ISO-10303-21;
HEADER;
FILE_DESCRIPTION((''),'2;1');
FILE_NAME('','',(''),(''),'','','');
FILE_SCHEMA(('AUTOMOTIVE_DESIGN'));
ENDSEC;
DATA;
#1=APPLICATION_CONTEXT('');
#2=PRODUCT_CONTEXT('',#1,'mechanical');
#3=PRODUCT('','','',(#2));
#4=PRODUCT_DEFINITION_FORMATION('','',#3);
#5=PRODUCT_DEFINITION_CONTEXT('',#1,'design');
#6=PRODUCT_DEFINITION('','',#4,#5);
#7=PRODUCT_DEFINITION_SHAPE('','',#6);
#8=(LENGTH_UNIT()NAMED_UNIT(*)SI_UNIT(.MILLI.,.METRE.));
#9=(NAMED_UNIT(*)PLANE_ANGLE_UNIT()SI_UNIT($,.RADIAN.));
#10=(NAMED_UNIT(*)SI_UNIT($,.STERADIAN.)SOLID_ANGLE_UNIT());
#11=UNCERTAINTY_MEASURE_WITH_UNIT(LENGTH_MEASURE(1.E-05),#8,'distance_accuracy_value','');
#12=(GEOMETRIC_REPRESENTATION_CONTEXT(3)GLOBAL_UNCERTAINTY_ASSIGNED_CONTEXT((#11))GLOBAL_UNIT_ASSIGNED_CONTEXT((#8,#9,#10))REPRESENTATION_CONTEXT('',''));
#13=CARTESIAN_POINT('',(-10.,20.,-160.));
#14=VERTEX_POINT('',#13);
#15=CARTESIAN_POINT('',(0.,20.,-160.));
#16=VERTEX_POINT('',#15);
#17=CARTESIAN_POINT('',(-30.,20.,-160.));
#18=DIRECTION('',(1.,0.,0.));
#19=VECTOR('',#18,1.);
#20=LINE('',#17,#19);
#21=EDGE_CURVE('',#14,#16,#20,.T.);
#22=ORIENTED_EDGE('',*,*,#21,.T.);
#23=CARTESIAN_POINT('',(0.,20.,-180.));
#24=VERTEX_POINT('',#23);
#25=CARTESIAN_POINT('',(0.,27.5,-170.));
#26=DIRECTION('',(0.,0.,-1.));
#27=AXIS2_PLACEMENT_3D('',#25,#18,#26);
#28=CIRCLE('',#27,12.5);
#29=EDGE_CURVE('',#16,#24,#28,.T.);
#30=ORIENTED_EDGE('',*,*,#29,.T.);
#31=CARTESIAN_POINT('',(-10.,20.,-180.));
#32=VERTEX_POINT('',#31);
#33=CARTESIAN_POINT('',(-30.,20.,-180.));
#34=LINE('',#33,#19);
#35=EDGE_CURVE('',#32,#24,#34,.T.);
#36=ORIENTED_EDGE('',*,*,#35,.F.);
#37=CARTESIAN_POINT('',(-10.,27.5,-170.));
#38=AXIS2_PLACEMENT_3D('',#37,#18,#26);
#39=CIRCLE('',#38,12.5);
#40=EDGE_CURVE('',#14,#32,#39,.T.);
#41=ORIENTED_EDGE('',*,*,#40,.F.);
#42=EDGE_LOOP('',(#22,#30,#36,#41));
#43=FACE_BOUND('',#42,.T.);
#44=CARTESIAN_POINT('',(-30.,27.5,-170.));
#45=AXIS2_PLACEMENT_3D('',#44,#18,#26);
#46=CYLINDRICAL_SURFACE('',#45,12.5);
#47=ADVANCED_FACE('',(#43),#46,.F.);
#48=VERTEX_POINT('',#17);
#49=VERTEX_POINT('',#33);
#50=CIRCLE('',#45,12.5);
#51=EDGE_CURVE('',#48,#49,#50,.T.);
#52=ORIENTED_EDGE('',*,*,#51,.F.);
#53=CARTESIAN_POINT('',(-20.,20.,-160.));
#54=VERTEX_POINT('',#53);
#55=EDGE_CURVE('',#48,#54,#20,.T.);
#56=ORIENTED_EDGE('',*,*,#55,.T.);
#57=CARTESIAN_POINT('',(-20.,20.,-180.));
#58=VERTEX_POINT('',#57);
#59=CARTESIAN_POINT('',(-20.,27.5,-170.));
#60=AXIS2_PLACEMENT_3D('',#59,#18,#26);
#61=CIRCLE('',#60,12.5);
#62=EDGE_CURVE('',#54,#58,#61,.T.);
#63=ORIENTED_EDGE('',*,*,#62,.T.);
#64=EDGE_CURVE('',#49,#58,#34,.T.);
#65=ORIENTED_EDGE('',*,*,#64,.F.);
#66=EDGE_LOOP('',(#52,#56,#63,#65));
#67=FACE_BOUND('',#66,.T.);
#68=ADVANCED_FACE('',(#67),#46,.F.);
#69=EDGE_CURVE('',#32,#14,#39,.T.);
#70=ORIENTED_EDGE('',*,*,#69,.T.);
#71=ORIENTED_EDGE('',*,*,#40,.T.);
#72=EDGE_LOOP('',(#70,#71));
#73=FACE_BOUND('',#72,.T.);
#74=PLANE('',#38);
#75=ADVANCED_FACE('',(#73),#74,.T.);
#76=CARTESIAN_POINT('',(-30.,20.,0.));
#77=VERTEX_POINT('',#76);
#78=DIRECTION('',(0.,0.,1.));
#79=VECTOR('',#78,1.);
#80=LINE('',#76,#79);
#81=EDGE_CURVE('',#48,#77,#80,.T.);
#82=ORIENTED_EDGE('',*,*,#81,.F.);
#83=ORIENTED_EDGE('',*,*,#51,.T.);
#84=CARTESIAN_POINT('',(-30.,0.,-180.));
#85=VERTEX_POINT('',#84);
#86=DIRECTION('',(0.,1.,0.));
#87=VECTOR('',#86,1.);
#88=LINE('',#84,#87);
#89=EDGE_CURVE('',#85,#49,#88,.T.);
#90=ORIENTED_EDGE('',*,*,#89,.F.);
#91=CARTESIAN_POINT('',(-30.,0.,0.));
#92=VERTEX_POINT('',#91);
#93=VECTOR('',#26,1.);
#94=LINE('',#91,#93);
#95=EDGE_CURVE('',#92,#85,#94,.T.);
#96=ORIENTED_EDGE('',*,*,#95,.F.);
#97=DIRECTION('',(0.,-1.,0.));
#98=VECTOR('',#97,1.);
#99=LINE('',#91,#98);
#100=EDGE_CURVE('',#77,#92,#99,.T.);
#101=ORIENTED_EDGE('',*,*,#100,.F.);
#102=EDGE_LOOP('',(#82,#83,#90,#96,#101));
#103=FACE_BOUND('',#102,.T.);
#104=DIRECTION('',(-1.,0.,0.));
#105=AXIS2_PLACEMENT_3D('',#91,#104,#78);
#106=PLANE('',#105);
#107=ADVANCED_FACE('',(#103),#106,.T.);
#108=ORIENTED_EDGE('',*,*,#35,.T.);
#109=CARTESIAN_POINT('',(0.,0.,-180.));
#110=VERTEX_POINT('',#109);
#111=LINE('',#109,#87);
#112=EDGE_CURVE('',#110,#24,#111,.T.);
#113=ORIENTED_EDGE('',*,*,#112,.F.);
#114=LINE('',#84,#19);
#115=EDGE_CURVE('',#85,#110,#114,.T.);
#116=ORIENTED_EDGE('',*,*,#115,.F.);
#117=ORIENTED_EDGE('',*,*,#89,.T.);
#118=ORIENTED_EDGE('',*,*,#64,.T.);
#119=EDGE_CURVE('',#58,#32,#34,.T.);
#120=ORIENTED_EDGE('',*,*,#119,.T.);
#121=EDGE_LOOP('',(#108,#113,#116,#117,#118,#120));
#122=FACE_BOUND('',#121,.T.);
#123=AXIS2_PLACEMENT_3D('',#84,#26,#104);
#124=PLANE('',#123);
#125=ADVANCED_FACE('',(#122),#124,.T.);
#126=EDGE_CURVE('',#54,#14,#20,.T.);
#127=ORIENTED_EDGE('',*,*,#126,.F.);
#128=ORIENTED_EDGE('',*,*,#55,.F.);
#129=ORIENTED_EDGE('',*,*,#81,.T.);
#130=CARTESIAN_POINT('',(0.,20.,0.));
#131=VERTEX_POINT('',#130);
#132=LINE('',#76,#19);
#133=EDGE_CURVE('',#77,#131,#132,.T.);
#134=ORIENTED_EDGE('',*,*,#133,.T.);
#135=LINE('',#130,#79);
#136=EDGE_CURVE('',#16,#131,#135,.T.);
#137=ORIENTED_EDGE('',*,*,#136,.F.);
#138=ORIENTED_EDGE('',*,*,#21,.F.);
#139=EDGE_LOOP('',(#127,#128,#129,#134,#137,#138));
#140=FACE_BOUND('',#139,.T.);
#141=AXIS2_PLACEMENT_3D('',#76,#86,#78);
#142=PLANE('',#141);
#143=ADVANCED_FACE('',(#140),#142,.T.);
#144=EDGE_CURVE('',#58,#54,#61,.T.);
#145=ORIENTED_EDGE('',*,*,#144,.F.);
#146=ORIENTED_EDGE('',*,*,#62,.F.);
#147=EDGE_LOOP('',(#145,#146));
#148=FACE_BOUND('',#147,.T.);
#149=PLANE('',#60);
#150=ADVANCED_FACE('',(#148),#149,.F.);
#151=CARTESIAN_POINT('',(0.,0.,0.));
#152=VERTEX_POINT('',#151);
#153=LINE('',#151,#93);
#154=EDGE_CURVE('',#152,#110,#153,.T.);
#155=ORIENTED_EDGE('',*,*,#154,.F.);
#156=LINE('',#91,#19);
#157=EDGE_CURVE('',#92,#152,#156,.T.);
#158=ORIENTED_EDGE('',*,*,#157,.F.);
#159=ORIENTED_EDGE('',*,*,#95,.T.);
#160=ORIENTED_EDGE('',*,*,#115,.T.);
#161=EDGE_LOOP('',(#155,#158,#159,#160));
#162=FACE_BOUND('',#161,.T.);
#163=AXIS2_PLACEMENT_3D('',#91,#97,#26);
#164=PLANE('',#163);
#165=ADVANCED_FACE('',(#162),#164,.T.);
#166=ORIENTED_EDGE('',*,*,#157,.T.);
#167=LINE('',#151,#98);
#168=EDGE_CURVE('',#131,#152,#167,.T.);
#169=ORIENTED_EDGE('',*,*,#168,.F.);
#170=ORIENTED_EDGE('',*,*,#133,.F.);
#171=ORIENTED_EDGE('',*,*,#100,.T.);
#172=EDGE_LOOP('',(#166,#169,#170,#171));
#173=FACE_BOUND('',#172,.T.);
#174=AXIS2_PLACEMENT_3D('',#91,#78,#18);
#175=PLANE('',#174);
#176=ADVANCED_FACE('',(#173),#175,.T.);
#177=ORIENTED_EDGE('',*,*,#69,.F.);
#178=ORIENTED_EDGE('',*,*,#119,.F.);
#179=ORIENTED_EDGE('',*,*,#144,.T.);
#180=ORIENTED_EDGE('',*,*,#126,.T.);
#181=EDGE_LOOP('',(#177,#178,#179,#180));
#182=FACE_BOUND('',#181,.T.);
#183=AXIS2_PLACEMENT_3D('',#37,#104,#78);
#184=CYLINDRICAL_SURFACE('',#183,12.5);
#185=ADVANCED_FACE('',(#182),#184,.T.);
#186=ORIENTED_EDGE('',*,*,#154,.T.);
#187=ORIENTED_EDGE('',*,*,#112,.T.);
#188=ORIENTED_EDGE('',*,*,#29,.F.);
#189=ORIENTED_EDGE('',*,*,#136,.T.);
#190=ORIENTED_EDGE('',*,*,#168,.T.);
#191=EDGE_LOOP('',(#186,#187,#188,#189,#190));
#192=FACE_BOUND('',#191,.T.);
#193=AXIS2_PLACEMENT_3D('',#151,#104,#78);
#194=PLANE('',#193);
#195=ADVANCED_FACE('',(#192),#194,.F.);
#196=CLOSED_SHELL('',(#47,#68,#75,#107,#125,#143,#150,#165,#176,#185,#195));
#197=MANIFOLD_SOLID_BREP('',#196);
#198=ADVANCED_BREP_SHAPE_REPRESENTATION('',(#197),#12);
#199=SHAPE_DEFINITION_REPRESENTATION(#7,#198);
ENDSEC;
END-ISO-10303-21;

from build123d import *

# Parameters (mm, degrees)
SKETCH2_W           = 180
SKETCH2_H           = 20
BOSS_EXTRUDE1_DEPTH = 30
SKETCH3_R           = 12.5
CUT_EXTRUDE2_DEPTH  = 31
SKETCH5_R           = 12.5
BOSS_EXTRUDE4_DEPTH = 5


with BuildPart() as part:
    # Sketch2 → Boss-Extrude1 (new body)
    with BuildSketch(Plane(origin=(0, 0, 0), x_dir=(0, 0, -1), z_dir=(1, 0, 0))):
        with Locations((90, 10)):
            Rectangle(SKETCH2_W, SKETCH2_H)
    extrude(amount=-BOSS_EXTRUDE1_DEPTH)

    # Sketch3 → Cut-Extrude2 (cut, through all)
    with BuildSketch(Plane(origin=(0, 0, 0), x_dir=(0, 0, -1), z_dir=(1, 0, 0))):
        with Locations((170, 27.5)):
            Circle(SKETCH3_R)
    extrude(amount=-CUT_EXTRUDE2_DEPTH, mode=Mode.SUBTRACT)

    # Sketch5 → Boss-Extrude4 (add, symmetric)
    with BuildSketch(Plane(origin=(-15, 0, 0), x_dir=(0, 0, -1), z_dir=(1, 0, 0))):
        with Locations((170, 27.5)):
            Circle(SKETCH5_R)
    extrude(amount=BOSS_EXTRUDE4_DEPTH, both=True)


solid = part.part
